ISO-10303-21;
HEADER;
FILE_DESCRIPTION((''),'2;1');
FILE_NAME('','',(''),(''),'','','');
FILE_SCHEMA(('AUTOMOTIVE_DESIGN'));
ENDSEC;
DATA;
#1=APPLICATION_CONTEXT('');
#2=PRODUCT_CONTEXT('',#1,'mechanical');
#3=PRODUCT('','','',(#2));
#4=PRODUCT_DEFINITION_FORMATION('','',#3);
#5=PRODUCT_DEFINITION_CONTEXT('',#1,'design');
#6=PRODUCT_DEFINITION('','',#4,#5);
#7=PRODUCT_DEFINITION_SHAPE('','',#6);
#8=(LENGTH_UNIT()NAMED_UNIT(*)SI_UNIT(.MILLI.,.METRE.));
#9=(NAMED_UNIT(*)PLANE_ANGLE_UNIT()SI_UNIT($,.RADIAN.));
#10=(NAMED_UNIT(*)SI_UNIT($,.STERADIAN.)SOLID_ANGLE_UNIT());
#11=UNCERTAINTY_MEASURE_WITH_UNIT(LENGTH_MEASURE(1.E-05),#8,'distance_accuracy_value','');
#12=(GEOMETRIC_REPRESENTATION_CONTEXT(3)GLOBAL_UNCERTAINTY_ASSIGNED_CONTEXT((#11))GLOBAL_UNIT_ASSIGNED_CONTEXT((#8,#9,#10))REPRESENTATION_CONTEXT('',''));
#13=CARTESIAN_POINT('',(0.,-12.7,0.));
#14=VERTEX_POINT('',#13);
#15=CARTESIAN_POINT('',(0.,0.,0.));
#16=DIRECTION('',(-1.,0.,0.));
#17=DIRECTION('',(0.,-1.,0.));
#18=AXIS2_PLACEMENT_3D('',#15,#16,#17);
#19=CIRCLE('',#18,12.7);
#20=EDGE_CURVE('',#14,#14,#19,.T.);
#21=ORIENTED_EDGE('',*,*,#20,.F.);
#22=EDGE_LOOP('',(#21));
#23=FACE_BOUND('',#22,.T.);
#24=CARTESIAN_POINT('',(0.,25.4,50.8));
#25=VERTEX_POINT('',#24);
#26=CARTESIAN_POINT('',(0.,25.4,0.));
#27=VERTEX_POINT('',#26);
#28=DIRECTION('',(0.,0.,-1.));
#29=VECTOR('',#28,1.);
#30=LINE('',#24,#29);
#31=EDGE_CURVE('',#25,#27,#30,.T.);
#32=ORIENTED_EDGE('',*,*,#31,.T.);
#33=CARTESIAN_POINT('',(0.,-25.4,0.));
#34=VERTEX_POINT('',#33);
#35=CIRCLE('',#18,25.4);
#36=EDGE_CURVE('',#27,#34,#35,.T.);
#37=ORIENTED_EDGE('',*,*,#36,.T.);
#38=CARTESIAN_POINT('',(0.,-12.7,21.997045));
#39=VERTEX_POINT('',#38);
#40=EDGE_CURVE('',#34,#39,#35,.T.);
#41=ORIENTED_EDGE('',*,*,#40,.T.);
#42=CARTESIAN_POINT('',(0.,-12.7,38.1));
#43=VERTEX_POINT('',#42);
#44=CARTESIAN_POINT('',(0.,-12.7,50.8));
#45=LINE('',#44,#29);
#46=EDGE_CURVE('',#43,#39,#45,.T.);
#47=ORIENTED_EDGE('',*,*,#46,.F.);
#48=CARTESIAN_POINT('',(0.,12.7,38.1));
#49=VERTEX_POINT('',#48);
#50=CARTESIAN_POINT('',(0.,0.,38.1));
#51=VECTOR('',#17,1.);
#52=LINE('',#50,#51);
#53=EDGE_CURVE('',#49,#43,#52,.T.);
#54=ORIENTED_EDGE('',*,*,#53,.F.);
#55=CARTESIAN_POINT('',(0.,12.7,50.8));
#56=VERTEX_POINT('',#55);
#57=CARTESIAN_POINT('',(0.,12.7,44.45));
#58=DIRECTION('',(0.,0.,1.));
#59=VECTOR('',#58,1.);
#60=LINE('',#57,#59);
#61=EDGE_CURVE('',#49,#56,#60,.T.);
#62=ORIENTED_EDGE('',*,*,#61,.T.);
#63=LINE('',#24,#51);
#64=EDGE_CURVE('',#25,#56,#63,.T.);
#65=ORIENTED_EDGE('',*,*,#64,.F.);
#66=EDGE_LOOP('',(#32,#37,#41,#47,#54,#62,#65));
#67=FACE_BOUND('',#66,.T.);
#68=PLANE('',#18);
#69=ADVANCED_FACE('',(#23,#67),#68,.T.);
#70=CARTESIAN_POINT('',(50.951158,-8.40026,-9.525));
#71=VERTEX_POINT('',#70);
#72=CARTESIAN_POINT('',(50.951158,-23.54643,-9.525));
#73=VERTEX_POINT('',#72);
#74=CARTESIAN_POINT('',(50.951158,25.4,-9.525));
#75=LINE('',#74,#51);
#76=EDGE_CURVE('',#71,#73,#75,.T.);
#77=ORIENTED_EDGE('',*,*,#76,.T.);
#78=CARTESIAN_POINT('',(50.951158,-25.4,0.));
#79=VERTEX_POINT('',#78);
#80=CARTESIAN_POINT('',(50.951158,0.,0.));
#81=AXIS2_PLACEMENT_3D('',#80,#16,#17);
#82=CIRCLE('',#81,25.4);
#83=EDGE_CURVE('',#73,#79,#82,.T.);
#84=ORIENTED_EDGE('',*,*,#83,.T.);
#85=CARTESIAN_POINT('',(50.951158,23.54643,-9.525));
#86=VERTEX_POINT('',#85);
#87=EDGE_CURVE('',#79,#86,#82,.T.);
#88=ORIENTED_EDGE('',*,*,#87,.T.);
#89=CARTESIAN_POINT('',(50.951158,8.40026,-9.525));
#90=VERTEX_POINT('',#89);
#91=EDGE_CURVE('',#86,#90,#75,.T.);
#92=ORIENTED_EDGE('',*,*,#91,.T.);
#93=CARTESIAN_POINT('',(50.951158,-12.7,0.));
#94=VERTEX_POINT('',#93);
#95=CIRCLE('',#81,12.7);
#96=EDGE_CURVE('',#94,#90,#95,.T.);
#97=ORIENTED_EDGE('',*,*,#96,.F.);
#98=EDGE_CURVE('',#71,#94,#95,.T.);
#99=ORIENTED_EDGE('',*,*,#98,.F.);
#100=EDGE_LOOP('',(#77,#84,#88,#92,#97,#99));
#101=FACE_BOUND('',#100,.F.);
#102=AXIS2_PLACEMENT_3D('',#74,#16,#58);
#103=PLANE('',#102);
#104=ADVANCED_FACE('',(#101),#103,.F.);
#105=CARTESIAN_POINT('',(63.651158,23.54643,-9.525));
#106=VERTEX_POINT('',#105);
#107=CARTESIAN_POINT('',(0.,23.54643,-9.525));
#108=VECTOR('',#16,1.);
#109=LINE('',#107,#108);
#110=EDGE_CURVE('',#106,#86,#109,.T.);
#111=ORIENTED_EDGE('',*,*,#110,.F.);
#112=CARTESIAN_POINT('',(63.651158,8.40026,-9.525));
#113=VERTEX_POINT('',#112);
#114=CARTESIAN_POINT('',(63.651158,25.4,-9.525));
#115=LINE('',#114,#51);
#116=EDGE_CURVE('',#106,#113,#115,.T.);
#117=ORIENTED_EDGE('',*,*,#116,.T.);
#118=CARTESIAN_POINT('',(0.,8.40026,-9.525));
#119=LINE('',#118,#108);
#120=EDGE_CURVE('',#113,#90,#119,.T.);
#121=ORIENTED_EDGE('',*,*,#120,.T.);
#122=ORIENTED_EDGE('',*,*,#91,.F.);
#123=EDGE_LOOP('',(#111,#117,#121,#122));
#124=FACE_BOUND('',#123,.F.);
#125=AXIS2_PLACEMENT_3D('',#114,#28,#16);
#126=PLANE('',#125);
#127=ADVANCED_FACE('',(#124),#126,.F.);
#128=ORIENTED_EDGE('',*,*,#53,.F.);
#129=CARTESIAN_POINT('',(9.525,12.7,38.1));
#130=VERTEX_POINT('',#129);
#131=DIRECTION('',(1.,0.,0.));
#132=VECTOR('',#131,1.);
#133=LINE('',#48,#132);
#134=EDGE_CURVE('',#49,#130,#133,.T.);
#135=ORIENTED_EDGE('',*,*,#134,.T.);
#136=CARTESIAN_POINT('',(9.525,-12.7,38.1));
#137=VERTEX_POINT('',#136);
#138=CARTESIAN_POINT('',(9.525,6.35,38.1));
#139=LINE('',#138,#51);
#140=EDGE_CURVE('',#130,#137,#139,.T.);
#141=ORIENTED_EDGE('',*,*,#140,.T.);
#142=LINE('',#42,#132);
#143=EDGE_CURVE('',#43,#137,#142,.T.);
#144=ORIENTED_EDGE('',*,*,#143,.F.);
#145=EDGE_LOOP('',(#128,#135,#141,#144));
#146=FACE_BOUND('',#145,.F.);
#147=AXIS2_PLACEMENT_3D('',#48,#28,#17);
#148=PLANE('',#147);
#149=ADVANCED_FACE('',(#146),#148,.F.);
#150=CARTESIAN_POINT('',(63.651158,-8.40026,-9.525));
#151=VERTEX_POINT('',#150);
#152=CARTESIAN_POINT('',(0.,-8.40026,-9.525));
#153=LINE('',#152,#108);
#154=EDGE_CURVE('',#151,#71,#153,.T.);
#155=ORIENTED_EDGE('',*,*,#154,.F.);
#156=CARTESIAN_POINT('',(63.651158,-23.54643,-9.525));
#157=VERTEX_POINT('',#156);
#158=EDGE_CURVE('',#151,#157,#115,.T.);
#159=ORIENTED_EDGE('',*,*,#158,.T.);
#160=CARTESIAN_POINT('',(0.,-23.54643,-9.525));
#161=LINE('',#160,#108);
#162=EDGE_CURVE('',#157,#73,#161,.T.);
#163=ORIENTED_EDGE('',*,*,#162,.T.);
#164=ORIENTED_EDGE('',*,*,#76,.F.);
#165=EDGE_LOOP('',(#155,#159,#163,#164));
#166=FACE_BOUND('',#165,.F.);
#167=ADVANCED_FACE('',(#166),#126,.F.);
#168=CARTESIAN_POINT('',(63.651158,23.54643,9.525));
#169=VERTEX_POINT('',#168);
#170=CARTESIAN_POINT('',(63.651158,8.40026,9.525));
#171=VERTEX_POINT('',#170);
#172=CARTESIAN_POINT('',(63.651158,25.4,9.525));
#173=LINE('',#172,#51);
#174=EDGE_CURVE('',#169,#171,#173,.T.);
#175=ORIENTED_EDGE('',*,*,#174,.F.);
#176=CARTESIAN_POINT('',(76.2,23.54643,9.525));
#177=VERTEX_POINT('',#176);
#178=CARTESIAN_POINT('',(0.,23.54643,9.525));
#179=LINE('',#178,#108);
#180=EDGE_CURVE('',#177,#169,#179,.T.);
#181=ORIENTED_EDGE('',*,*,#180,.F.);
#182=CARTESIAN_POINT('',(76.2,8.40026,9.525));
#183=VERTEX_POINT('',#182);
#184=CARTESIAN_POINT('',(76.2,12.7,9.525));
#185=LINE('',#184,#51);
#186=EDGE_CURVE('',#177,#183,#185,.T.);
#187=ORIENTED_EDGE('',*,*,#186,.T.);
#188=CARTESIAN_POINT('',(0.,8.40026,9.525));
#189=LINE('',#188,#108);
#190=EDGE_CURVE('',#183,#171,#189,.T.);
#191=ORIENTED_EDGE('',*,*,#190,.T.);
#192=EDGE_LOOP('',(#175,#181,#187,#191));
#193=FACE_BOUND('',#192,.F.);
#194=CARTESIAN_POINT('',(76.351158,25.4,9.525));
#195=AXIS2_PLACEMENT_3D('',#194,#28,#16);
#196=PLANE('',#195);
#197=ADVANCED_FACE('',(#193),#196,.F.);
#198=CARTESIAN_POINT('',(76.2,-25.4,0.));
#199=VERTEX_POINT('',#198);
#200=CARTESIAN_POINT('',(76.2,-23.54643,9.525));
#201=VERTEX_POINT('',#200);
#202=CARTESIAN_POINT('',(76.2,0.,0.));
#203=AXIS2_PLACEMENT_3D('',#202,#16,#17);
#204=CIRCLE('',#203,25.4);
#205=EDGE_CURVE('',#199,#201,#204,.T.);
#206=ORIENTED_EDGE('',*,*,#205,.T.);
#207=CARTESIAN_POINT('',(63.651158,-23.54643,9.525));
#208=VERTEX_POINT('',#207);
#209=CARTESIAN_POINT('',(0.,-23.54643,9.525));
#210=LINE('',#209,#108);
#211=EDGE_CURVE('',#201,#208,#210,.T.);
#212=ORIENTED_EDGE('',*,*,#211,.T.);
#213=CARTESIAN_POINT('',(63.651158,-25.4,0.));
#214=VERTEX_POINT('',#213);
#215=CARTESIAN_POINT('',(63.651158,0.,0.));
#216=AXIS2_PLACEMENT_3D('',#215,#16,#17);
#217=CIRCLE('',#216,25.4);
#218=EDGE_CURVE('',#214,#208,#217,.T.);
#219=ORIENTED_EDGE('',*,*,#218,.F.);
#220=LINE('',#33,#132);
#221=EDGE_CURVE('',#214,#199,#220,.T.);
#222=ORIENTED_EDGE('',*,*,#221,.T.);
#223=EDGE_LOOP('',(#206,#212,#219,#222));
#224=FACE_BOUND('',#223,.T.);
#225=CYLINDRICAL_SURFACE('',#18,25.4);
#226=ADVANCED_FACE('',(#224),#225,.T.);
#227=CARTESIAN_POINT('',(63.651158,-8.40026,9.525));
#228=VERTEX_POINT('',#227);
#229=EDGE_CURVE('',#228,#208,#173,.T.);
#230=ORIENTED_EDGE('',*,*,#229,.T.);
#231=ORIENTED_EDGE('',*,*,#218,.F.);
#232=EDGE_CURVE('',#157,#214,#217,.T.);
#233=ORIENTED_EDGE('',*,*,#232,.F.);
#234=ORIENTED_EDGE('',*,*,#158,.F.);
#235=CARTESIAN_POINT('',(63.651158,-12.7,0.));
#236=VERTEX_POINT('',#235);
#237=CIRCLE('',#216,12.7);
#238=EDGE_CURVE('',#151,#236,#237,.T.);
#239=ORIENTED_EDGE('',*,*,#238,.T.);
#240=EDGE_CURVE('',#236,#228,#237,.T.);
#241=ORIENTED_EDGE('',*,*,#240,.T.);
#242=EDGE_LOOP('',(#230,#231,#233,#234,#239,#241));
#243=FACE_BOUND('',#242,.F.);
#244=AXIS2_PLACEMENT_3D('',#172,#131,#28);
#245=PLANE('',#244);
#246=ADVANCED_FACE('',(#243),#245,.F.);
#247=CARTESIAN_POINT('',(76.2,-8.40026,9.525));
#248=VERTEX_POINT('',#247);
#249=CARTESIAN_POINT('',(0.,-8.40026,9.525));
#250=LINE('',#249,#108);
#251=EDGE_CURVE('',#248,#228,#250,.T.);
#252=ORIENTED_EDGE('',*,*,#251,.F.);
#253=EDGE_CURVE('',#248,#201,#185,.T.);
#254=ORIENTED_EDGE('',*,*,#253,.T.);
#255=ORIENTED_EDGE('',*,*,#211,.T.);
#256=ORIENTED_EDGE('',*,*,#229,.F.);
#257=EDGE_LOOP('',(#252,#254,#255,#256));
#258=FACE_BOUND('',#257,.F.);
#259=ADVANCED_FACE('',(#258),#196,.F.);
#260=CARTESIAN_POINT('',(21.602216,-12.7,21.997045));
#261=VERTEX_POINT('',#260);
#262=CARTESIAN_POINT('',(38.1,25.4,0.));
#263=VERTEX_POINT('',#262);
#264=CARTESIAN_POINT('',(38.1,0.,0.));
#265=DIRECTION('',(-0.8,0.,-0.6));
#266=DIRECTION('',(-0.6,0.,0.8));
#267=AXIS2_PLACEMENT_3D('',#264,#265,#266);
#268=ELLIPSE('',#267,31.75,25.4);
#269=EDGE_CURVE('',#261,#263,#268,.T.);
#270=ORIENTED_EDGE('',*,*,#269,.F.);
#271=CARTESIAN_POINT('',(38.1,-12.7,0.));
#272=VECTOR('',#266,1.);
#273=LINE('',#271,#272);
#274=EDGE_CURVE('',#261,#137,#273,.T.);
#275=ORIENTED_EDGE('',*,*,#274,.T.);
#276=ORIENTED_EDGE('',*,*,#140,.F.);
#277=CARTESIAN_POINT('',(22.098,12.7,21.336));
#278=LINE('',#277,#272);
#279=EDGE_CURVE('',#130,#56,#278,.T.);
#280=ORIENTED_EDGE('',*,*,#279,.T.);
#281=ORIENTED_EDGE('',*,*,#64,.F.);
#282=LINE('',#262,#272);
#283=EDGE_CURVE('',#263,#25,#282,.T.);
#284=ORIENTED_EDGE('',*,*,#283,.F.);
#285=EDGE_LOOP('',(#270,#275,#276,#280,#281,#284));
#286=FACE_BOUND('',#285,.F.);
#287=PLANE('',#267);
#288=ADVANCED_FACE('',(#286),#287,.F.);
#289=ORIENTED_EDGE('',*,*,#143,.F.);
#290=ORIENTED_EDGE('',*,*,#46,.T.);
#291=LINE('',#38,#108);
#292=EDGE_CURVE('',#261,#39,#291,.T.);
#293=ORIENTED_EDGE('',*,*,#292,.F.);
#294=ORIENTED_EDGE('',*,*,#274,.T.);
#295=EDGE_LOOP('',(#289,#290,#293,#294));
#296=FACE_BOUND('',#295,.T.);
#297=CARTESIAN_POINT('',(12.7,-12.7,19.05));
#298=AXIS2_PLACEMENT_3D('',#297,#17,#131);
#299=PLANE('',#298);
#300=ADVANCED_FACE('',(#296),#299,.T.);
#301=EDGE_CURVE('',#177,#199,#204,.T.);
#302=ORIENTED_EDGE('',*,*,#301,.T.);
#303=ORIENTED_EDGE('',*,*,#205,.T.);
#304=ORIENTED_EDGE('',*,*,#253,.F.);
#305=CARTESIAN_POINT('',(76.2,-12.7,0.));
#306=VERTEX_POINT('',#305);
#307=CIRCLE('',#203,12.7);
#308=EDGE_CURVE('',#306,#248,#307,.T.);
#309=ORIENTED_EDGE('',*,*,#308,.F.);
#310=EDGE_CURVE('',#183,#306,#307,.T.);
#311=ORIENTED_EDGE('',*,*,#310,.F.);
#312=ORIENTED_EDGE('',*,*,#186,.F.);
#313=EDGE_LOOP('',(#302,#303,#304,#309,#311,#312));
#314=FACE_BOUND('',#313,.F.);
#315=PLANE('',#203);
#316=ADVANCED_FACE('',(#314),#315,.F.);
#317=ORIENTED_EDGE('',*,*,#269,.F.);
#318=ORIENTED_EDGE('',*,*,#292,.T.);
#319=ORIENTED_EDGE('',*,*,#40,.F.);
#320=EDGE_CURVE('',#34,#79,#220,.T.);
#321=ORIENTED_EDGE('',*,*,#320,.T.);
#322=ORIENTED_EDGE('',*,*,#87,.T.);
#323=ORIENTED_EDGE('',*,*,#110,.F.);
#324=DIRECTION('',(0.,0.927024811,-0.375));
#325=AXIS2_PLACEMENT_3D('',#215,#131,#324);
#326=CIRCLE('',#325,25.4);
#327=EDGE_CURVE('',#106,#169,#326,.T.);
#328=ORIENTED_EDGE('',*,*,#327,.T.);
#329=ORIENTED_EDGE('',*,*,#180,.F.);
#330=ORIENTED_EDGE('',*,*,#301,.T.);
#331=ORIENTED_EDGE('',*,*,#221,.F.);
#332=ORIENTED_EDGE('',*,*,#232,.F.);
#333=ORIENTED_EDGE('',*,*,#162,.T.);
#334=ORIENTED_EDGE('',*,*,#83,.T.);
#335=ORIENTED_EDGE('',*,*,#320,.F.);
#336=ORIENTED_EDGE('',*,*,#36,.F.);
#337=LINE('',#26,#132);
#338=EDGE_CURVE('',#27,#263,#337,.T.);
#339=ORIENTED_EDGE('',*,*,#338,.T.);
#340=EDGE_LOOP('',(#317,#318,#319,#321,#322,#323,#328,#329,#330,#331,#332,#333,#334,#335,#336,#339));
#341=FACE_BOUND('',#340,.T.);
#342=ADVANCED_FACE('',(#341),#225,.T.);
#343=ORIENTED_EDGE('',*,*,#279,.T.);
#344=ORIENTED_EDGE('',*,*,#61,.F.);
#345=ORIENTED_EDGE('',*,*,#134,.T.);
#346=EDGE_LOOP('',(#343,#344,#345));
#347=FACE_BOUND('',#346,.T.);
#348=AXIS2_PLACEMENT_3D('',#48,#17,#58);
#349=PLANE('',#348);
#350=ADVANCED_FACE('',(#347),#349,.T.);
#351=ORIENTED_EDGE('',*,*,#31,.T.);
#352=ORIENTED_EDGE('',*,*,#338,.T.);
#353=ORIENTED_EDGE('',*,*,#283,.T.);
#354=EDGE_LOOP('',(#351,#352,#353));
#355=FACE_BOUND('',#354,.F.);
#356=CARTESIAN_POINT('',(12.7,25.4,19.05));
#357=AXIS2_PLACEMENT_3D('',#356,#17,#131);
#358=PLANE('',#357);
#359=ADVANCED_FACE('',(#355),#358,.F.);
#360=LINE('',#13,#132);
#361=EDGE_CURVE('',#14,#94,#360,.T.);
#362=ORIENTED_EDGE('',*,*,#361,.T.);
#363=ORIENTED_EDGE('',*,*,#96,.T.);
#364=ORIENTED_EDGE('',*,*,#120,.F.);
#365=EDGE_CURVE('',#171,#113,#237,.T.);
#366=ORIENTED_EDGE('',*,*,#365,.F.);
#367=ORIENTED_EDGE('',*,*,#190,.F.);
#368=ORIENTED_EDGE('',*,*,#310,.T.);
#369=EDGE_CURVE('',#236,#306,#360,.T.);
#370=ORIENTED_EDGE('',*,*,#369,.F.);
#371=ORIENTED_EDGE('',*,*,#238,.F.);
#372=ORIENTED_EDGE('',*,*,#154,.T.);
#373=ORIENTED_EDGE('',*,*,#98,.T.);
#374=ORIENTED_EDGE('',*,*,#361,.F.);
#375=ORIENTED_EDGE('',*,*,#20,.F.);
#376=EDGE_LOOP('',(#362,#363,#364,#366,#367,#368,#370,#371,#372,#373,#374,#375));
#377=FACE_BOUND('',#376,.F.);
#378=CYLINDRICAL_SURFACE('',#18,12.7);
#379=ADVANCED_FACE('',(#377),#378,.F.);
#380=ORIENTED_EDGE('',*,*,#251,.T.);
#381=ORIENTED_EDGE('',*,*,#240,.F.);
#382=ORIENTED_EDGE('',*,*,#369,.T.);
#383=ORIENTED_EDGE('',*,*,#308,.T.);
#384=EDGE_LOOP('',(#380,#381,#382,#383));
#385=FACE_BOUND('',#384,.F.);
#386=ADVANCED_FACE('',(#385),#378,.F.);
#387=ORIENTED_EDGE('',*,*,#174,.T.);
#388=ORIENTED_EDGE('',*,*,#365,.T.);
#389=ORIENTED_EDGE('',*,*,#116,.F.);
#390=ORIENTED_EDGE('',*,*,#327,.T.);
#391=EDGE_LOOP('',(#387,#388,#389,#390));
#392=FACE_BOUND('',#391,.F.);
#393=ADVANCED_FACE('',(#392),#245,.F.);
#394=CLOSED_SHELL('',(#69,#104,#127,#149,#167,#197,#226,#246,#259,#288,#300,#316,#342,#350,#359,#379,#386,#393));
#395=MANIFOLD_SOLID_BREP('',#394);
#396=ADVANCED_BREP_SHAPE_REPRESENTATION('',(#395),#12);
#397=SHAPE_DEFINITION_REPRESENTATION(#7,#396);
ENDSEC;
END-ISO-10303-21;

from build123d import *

# Parameters (mm, degrees)
F1_DEPTH  = 25.4
F3_DEPTH  = 12.7
F4_R      = 25.4
F5_DEPTH  = 76.2
F6_R      = 12.7
F7_DEPTH  = 76.201
F8_W      = 25.4
F8_H      = 12.7
F9_DEPTH  = 76.201
F11_DEPTH = 50.801


with BuildPart() as f1:
    # F0 (on Front) → F1 (new body)
    with BuildSketch(Plane.XZ):
        Polygon((0, 50.8), (0, 0), (38.1, 0), align=None)
    extrude(amount=-F1_DEPTH)

    # F2 (on face) → F3 (join)
    with BuildSketch(Plane.XZ):
        Polygon((38.1, 0), (0, 50.8), (0, 0), align=None)
    extrude(amount=F3_DEPTH)

    # F4 (on face) → F5 (join)
    with BuildSketch(Plane(origin=(0, 0, 0), x_dir=(0, -1, 0), z_dir=(-1, 0, 0))):
        Circle(F4_R)
    extrude(amount=-F5_DEPTH)

    # F6 (on face) → F7 (cut, through all)
    with BuildSketch(Plane(origin=(0, 0, 0), x_dir=(0, -1, 0), z_dir=(-1, 0, 0))):
        Circle(F6_R)
    extrude(amount=-F7_DEPTH, mode=Mode.SUBTRACT)

    # F8 (on face) → F9 (cut, through all)
    with BuildSketch(Plane(origin=(0, 0, 0), x_dir=(0, -1, 0), z_dir=(-1, 0, 0))):
        with Locations((0, 44.45)):
            Rectangle(F8_W, F8_H)
    extrude(amount=-F9_DEPTH, mode=Mode.SUBTRACT)

    # F10 (on face) → F11 (cut, through all)
    with BuildSketch(Plane(origin=(0, 25.4, 0), x_dir=(-1, 0, 0), z_dir=(0, 1, 0))):
        Polygon((-50.951158, 25.4), (-76.351158, 25.4), (-76.351158, 9.525), (-63.651158, 9.525), (-63.651158, -9.525), (-50.951158, -9.525), align=None)
    extrude(amount=-F11_DEPTH, mode=Mode.SUBTRACT)


solid = f1.part
